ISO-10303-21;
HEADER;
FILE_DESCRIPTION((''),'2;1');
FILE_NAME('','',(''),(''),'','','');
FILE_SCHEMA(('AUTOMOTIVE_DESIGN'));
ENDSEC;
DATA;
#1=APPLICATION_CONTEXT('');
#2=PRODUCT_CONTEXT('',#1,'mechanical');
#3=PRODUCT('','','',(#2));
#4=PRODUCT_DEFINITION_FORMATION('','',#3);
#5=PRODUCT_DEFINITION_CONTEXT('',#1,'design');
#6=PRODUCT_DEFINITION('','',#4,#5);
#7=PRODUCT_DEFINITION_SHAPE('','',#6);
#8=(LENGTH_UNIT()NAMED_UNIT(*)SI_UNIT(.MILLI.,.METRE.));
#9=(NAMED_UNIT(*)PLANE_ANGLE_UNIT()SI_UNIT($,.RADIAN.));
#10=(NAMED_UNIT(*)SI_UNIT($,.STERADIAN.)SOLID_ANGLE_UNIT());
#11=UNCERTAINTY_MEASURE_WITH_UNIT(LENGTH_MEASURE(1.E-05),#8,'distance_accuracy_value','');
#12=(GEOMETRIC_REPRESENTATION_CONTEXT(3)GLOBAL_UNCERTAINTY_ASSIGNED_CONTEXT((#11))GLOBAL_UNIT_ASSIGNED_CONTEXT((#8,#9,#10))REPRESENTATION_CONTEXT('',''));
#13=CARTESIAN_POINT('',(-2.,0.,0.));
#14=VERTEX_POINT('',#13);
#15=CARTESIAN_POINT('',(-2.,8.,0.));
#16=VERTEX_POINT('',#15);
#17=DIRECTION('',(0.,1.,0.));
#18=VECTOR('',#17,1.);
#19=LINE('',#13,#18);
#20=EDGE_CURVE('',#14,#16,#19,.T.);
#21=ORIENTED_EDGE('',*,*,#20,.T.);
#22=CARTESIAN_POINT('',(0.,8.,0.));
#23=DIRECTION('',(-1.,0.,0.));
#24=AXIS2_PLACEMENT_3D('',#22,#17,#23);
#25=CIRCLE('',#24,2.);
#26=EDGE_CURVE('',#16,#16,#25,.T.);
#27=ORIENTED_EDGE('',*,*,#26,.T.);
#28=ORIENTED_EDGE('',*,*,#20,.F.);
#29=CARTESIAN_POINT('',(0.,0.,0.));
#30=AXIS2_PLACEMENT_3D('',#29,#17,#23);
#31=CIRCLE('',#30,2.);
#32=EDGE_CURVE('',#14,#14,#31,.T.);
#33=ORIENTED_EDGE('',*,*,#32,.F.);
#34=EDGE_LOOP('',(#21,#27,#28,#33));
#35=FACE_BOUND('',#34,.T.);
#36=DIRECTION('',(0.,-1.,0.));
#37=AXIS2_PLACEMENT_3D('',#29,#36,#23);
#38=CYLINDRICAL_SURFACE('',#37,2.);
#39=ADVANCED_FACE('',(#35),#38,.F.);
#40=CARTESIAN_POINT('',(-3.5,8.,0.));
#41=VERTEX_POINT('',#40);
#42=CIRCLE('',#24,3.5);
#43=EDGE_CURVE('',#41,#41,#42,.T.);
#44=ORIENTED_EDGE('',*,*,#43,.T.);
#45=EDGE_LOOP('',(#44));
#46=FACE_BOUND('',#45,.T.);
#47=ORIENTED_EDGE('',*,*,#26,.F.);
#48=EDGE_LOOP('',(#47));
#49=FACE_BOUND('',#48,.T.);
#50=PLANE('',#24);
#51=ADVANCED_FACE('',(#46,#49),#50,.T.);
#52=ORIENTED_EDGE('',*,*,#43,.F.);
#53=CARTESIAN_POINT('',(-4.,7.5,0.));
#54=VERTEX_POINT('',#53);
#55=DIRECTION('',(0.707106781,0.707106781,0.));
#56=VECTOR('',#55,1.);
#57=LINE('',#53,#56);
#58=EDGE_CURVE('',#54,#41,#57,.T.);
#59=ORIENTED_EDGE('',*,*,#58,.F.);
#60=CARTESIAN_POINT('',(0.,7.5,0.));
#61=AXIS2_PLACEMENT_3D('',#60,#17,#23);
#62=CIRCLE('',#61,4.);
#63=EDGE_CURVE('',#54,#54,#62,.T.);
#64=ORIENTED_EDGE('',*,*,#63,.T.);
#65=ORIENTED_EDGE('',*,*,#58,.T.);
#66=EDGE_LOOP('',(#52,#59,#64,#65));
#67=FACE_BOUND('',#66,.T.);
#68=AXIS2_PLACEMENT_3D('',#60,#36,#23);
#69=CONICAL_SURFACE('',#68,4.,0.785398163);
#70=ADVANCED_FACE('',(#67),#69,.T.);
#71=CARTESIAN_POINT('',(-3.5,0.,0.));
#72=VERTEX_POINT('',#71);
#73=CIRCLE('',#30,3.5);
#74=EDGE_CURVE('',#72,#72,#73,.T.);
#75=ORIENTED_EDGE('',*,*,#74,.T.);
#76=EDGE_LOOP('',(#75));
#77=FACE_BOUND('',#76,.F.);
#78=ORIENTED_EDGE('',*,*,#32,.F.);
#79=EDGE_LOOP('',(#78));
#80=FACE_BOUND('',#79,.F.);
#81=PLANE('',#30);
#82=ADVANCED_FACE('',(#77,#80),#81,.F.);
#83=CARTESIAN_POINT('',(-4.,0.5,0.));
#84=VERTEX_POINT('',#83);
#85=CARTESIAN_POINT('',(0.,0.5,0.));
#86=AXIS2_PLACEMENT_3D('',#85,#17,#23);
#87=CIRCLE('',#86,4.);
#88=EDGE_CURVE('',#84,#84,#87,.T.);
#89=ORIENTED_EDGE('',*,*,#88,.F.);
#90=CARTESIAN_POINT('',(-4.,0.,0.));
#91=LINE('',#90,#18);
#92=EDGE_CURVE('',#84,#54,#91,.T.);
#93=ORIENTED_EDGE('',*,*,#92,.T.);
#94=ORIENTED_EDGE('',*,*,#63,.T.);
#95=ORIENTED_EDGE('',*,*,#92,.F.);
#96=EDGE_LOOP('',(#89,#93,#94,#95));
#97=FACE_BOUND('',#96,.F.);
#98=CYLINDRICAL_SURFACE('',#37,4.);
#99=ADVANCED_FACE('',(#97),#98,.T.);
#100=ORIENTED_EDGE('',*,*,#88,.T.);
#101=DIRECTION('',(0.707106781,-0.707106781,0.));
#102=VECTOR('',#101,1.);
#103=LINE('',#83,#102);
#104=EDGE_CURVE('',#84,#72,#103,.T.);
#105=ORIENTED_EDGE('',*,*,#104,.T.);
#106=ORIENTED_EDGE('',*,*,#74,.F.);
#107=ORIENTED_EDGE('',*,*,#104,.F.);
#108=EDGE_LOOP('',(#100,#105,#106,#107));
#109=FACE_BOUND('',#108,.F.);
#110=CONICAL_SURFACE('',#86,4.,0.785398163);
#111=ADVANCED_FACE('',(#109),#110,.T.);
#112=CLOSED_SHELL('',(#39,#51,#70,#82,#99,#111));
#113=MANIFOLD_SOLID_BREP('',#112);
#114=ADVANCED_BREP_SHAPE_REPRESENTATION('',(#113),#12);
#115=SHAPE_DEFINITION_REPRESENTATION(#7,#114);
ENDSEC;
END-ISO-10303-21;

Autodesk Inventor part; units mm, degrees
ref_plane "YZ Plane" through (0, 0, 0) normal (1, 0, 0) x (0, 1, 0)
ref_plane "XZ Plane" through (0, 0, 0) normal (0, 1, 0) x (-1, 0, 0)
ref_plane "XY Plane" through (0, 0, 0) normal (0, 0, 1) x (1, 0, 0)
sketch "Sketch1" plane through (0, 0, 0) normal (0, 1, 0) x (-1, 0, 0)
  circle A0 centre (0, 0) radius 2
  circle A1 centre (0, 0) radius 4
extrude "Extrusion1" add sketch "Sketch1" along normal blind 8
chamfer "Chamfer1" distance 0.5 angle 45 2 edges at (4, 8, 0) (4, 0, 0)
properties part number "bushing"
